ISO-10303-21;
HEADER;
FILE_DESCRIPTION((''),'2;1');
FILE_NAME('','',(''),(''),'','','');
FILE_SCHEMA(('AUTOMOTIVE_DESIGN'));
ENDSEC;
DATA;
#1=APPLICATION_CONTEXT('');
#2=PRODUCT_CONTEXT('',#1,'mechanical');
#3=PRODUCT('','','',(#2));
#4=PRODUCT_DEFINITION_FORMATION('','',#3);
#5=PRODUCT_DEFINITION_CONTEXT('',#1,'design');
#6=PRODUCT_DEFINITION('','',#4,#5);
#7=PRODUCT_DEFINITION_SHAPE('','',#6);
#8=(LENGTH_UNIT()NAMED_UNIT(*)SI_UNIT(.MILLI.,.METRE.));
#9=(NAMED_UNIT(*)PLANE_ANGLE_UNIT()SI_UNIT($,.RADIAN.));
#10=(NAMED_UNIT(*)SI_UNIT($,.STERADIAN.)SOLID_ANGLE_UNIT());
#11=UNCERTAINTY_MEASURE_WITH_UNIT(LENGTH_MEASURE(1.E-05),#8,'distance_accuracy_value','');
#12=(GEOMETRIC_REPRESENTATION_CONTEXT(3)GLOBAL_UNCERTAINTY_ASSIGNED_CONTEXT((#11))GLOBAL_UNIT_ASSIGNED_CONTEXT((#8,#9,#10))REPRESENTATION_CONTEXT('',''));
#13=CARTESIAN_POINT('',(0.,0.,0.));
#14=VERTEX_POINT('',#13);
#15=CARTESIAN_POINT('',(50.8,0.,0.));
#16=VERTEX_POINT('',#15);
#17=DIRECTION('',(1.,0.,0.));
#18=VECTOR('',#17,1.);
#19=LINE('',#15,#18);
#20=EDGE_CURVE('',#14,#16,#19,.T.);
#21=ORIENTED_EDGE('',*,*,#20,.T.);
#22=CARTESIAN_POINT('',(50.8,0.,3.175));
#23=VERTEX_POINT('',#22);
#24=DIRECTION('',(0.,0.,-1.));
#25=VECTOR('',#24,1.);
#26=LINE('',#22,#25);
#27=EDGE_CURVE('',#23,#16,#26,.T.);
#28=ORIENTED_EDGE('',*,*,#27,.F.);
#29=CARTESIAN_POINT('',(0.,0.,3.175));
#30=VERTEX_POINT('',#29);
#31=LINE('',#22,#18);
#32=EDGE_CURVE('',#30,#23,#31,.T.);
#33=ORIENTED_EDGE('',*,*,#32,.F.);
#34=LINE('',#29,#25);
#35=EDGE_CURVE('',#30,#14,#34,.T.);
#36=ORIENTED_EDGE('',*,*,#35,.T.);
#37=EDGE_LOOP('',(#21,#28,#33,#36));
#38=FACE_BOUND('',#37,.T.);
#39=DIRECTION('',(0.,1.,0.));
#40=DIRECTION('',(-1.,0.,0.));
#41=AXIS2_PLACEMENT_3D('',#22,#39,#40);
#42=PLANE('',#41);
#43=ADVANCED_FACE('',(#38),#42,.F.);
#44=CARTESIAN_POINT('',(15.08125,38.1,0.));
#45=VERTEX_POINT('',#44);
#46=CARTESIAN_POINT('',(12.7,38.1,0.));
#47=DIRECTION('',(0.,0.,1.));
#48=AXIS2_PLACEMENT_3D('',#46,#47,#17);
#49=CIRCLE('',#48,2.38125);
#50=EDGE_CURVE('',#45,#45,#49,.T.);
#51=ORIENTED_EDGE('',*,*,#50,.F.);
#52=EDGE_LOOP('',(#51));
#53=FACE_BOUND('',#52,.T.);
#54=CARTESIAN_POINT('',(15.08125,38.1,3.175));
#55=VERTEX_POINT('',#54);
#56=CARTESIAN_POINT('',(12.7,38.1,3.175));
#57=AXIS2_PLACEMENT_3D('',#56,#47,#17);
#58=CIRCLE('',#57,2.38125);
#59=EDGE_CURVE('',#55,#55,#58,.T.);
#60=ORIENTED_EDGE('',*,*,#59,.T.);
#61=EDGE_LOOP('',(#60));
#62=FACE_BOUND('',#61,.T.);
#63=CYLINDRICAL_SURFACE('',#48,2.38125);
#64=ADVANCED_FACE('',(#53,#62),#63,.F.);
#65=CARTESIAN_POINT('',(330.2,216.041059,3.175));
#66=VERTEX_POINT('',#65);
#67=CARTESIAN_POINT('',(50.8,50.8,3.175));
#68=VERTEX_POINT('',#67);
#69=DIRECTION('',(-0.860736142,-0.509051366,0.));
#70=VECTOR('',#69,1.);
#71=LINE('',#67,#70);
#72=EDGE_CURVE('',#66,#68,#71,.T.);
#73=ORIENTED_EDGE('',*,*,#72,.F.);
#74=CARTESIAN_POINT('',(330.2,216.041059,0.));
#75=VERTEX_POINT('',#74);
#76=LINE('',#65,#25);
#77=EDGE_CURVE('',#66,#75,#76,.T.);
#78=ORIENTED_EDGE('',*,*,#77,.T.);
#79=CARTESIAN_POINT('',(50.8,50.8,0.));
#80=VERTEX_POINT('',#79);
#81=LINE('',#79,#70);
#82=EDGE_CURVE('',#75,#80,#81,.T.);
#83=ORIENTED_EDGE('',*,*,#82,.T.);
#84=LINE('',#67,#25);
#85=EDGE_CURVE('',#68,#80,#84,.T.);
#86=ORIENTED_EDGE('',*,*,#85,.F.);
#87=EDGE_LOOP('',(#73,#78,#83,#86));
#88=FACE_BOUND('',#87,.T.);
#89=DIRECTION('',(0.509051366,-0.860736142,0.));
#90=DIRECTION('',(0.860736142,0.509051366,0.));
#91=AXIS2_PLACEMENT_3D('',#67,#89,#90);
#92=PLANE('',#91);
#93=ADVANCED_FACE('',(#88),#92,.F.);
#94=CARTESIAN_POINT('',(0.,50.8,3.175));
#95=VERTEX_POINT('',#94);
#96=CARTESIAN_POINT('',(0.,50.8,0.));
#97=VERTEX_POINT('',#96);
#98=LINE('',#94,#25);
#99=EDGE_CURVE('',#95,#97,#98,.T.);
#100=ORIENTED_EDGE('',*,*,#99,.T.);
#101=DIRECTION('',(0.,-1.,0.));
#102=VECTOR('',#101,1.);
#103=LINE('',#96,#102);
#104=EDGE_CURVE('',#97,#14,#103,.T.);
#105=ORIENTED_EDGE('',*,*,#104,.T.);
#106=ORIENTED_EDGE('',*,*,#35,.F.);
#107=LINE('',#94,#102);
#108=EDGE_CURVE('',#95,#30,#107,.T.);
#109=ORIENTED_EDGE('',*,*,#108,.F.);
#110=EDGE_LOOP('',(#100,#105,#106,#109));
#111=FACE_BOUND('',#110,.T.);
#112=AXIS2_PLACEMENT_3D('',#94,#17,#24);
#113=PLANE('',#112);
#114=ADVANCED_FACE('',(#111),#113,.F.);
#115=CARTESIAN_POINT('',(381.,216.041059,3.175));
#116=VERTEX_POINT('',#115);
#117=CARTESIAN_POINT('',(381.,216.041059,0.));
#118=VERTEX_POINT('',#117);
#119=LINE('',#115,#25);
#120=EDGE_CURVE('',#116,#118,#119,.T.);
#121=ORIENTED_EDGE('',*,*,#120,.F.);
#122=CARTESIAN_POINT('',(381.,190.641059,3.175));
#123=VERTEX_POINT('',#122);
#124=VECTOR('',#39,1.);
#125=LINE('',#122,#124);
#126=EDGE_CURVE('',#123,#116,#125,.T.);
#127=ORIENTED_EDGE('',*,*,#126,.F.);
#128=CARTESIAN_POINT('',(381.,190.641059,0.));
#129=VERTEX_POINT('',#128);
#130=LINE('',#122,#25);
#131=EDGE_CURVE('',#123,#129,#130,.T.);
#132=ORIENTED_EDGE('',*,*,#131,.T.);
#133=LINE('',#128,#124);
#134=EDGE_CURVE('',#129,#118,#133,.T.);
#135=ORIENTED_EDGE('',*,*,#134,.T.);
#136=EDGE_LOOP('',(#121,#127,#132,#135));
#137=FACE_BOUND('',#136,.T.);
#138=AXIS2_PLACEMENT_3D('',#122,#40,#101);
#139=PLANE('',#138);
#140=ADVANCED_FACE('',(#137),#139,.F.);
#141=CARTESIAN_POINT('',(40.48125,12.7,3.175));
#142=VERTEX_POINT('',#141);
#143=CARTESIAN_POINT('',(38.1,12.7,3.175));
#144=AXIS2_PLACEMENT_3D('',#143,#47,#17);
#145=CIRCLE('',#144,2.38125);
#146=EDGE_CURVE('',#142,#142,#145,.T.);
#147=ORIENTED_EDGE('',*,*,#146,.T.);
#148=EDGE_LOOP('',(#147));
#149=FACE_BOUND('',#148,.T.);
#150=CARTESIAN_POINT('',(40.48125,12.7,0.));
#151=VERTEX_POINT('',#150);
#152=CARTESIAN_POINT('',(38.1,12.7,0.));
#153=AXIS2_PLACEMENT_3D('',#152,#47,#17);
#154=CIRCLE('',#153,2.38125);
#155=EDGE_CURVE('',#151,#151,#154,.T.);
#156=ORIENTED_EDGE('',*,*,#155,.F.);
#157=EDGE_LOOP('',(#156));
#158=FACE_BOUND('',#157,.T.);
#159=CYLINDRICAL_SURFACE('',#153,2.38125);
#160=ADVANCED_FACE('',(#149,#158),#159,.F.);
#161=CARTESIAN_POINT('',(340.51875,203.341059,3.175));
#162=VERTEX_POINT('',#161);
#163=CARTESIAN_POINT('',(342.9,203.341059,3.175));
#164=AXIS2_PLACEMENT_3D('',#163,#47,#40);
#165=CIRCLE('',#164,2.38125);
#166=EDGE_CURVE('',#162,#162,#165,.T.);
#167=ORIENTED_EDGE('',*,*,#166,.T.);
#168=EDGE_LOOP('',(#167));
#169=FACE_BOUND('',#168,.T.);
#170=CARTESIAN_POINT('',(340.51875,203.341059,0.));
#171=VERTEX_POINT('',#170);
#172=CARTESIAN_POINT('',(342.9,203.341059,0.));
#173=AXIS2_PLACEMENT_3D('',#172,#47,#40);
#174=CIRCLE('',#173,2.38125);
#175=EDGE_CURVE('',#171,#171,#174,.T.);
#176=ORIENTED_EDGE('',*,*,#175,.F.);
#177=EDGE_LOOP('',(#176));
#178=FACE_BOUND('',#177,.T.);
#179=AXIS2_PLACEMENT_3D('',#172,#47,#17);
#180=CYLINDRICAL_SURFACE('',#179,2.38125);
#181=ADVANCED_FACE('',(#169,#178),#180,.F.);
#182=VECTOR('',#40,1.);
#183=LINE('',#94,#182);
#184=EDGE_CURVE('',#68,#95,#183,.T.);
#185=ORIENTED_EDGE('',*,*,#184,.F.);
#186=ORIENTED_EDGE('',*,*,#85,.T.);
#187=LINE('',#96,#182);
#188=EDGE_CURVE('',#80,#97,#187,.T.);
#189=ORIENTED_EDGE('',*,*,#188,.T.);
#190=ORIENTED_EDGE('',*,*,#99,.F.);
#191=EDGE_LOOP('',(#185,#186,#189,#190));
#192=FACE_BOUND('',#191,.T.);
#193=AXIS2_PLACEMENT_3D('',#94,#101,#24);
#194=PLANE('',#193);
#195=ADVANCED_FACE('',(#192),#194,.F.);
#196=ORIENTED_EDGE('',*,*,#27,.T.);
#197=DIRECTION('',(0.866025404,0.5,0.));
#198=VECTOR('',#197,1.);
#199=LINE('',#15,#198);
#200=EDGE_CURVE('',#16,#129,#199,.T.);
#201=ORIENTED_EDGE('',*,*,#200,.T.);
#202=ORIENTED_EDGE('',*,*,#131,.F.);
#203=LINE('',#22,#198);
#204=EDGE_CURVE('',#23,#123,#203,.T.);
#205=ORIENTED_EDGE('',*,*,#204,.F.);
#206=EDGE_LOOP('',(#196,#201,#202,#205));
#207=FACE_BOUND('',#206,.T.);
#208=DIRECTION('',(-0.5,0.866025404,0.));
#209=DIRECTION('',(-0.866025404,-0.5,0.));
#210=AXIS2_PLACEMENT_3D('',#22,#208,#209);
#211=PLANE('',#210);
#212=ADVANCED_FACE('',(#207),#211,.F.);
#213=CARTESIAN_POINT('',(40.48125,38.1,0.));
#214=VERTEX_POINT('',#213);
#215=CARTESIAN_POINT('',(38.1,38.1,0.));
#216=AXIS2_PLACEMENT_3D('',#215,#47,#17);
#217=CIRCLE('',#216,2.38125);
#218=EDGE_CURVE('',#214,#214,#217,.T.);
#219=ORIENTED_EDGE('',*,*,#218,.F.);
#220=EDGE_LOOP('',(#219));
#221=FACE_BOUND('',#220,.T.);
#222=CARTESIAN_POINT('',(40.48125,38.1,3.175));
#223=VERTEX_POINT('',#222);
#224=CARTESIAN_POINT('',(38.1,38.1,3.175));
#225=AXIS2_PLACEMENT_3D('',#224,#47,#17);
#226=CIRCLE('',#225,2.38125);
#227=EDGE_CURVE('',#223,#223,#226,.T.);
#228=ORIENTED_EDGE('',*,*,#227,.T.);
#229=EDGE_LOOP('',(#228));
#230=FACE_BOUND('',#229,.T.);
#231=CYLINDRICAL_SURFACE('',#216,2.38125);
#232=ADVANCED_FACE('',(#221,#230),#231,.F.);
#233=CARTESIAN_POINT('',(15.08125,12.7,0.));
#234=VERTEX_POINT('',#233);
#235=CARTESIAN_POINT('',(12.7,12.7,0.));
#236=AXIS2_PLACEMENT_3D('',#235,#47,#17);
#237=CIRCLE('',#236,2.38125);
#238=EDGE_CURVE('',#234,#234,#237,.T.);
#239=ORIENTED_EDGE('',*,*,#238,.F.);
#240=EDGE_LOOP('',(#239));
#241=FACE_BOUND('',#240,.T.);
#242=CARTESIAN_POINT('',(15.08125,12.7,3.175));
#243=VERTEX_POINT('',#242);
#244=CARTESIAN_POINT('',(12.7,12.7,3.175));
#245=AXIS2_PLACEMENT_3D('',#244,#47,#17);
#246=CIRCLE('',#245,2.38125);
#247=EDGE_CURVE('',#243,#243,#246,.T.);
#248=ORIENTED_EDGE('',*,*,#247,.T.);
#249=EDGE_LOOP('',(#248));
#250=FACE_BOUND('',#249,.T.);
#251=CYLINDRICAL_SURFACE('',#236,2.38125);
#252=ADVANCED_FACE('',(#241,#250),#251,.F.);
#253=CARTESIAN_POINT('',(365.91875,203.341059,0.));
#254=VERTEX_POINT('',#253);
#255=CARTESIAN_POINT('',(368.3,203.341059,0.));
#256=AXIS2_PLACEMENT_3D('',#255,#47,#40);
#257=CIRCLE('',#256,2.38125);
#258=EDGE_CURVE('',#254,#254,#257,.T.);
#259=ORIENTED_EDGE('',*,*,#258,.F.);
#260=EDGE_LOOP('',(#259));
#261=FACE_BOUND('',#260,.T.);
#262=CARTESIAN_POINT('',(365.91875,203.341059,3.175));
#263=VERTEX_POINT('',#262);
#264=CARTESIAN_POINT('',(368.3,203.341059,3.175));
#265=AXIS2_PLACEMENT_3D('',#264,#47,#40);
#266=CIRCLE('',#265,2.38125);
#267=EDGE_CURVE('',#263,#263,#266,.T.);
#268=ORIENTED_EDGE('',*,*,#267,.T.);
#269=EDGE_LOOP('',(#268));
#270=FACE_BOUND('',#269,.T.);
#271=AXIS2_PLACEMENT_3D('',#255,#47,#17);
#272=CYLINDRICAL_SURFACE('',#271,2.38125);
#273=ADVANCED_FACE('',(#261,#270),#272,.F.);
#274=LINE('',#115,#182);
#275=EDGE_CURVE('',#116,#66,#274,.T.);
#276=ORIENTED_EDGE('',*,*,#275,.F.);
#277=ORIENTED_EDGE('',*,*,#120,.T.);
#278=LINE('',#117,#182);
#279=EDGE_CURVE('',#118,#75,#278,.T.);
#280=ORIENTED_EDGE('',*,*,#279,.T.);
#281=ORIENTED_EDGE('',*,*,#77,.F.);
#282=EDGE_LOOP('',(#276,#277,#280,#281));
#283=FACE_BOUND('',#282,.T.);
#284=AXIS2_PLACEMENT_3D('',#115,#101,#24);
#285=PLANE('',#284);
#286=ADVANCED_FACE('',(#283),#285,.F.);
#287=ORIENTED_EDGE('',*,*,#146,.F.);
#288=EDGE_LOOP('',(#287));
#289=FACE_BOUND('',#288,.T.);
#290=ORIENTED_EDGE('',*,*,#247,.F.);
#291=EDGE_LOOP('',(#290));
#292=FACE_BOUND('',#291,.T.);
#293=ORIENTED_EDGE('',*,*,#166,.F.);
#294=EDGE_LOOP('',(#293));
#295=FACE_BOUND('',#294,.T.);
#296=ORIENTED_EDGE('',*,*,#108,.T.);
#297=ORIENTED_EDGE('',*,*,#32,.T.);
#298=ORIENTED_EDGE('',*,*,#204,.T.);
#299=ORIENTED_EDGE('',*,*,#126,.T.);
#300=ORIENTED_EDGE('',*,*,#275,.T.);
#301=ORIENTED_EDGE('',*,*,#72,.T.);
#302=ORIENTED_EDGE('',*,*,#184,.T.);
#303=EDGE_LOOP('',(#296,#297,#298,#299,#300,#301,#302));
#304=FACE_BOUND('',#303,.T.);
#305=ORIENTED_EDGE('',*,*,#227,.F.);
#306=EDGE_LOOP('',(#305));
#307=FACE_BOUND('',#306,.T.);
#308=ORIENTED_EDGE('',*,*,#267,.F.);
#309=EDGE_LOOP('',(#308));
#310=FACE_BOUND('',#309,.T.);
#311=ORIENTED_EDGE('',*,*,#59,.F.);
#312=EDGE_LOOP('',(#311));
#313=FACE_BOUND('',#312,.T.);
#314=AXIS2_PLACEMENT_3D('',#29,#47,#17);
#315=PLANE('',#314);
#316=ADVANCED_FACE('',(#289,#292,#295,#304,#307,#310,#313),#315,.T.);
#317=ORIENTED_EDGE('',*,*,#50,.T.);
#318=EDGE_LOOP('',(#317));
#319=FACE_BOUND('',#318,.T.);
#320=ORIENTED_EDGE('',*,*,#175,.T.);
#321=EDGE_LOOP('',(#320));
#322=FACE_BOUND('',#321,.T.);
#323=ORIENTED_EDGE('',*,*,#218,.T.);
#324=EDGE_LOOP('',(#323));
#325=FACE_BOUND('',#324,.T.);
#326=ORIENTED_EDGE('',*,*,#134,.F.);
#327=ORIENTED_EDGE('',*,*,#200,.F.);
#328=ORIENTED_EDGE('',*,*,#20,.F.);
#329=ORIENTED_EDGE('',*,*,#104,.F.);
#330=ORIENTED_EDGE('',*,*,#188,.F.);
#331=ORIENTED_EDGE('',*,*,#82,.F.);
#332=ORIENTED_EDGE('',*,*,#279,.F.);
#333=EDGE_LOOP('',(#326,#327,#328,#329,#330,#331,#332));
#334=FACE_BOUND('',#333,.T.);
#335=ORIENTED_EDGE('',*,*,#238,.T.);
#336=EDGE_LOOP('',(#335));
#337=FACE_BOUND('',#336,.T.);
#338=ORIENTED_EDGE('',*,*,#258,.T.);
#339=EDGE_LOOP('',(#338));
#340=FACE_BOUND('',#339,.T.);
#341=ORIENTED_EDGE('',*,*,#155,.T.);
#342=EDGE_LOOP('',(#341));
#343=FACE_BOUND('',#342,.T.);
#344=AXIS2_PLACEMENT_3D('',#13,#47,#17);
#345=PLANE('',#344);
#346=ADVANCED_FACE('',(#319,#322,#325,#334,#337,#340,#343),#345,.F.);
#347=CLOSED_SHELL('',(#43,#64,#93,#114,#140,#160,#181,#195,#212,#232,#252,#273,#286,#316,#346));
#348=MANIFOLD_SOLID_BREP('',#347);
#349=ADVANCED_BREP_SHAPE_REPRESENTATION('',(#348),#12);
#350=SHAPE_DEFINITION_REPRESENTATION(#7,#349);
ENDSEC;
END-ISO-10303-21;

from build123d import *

# Parameters (mm, degrees)
BOSS_EXTRUDE1_DEPTH = 3.175
SKETCH3_R           = 2.38125
CUT_EXTRUDE1_DEPTH  = 439.000935786


with BuildPart() as part:
    # Sketch2 → Boss-Extrude1 (new body)
    with BuildSketch(Plane.XY):
        Polygon((50.8, 0), (381, 190.641058886), (381, 216.041058886), (330.2, 216.041058886), (50.8, 50.8), (0, 50.8), (0, 0), align=None)
    extrude(amount=BOSS_EXTRUDE1_DEPTH)

    # Sketch3 → Cut-Extrude1 (cut, through all)
    with BuildSketch(Plane.XY.offset(3.175)):
        with Locations((12.7, 12.7)):
            Circle(SKETCH3_R)
        with Locations((12.7, 38.1)):
            Circle(SKETCH3_R)
        with Locations(Location((342.9, 203.341058886, 0), (0, 0, 180))):
            Circle(SKETCH3_R)
        with Locations(Location((368.3, 203.341058886, 0), (0, 0, 180))):
            Circle(SKETCH3_R)
        with Locations((38.1, 12.7)):
            Circle(SKETCH3_R)
        with Locations((38.1, 38.1)):
            Circle(SKETCH3_R)
    extrude(amount=-CUT_EXTRUDE1_DEPTH, mode=Mode.SUBTRACT)


solid = part.part
